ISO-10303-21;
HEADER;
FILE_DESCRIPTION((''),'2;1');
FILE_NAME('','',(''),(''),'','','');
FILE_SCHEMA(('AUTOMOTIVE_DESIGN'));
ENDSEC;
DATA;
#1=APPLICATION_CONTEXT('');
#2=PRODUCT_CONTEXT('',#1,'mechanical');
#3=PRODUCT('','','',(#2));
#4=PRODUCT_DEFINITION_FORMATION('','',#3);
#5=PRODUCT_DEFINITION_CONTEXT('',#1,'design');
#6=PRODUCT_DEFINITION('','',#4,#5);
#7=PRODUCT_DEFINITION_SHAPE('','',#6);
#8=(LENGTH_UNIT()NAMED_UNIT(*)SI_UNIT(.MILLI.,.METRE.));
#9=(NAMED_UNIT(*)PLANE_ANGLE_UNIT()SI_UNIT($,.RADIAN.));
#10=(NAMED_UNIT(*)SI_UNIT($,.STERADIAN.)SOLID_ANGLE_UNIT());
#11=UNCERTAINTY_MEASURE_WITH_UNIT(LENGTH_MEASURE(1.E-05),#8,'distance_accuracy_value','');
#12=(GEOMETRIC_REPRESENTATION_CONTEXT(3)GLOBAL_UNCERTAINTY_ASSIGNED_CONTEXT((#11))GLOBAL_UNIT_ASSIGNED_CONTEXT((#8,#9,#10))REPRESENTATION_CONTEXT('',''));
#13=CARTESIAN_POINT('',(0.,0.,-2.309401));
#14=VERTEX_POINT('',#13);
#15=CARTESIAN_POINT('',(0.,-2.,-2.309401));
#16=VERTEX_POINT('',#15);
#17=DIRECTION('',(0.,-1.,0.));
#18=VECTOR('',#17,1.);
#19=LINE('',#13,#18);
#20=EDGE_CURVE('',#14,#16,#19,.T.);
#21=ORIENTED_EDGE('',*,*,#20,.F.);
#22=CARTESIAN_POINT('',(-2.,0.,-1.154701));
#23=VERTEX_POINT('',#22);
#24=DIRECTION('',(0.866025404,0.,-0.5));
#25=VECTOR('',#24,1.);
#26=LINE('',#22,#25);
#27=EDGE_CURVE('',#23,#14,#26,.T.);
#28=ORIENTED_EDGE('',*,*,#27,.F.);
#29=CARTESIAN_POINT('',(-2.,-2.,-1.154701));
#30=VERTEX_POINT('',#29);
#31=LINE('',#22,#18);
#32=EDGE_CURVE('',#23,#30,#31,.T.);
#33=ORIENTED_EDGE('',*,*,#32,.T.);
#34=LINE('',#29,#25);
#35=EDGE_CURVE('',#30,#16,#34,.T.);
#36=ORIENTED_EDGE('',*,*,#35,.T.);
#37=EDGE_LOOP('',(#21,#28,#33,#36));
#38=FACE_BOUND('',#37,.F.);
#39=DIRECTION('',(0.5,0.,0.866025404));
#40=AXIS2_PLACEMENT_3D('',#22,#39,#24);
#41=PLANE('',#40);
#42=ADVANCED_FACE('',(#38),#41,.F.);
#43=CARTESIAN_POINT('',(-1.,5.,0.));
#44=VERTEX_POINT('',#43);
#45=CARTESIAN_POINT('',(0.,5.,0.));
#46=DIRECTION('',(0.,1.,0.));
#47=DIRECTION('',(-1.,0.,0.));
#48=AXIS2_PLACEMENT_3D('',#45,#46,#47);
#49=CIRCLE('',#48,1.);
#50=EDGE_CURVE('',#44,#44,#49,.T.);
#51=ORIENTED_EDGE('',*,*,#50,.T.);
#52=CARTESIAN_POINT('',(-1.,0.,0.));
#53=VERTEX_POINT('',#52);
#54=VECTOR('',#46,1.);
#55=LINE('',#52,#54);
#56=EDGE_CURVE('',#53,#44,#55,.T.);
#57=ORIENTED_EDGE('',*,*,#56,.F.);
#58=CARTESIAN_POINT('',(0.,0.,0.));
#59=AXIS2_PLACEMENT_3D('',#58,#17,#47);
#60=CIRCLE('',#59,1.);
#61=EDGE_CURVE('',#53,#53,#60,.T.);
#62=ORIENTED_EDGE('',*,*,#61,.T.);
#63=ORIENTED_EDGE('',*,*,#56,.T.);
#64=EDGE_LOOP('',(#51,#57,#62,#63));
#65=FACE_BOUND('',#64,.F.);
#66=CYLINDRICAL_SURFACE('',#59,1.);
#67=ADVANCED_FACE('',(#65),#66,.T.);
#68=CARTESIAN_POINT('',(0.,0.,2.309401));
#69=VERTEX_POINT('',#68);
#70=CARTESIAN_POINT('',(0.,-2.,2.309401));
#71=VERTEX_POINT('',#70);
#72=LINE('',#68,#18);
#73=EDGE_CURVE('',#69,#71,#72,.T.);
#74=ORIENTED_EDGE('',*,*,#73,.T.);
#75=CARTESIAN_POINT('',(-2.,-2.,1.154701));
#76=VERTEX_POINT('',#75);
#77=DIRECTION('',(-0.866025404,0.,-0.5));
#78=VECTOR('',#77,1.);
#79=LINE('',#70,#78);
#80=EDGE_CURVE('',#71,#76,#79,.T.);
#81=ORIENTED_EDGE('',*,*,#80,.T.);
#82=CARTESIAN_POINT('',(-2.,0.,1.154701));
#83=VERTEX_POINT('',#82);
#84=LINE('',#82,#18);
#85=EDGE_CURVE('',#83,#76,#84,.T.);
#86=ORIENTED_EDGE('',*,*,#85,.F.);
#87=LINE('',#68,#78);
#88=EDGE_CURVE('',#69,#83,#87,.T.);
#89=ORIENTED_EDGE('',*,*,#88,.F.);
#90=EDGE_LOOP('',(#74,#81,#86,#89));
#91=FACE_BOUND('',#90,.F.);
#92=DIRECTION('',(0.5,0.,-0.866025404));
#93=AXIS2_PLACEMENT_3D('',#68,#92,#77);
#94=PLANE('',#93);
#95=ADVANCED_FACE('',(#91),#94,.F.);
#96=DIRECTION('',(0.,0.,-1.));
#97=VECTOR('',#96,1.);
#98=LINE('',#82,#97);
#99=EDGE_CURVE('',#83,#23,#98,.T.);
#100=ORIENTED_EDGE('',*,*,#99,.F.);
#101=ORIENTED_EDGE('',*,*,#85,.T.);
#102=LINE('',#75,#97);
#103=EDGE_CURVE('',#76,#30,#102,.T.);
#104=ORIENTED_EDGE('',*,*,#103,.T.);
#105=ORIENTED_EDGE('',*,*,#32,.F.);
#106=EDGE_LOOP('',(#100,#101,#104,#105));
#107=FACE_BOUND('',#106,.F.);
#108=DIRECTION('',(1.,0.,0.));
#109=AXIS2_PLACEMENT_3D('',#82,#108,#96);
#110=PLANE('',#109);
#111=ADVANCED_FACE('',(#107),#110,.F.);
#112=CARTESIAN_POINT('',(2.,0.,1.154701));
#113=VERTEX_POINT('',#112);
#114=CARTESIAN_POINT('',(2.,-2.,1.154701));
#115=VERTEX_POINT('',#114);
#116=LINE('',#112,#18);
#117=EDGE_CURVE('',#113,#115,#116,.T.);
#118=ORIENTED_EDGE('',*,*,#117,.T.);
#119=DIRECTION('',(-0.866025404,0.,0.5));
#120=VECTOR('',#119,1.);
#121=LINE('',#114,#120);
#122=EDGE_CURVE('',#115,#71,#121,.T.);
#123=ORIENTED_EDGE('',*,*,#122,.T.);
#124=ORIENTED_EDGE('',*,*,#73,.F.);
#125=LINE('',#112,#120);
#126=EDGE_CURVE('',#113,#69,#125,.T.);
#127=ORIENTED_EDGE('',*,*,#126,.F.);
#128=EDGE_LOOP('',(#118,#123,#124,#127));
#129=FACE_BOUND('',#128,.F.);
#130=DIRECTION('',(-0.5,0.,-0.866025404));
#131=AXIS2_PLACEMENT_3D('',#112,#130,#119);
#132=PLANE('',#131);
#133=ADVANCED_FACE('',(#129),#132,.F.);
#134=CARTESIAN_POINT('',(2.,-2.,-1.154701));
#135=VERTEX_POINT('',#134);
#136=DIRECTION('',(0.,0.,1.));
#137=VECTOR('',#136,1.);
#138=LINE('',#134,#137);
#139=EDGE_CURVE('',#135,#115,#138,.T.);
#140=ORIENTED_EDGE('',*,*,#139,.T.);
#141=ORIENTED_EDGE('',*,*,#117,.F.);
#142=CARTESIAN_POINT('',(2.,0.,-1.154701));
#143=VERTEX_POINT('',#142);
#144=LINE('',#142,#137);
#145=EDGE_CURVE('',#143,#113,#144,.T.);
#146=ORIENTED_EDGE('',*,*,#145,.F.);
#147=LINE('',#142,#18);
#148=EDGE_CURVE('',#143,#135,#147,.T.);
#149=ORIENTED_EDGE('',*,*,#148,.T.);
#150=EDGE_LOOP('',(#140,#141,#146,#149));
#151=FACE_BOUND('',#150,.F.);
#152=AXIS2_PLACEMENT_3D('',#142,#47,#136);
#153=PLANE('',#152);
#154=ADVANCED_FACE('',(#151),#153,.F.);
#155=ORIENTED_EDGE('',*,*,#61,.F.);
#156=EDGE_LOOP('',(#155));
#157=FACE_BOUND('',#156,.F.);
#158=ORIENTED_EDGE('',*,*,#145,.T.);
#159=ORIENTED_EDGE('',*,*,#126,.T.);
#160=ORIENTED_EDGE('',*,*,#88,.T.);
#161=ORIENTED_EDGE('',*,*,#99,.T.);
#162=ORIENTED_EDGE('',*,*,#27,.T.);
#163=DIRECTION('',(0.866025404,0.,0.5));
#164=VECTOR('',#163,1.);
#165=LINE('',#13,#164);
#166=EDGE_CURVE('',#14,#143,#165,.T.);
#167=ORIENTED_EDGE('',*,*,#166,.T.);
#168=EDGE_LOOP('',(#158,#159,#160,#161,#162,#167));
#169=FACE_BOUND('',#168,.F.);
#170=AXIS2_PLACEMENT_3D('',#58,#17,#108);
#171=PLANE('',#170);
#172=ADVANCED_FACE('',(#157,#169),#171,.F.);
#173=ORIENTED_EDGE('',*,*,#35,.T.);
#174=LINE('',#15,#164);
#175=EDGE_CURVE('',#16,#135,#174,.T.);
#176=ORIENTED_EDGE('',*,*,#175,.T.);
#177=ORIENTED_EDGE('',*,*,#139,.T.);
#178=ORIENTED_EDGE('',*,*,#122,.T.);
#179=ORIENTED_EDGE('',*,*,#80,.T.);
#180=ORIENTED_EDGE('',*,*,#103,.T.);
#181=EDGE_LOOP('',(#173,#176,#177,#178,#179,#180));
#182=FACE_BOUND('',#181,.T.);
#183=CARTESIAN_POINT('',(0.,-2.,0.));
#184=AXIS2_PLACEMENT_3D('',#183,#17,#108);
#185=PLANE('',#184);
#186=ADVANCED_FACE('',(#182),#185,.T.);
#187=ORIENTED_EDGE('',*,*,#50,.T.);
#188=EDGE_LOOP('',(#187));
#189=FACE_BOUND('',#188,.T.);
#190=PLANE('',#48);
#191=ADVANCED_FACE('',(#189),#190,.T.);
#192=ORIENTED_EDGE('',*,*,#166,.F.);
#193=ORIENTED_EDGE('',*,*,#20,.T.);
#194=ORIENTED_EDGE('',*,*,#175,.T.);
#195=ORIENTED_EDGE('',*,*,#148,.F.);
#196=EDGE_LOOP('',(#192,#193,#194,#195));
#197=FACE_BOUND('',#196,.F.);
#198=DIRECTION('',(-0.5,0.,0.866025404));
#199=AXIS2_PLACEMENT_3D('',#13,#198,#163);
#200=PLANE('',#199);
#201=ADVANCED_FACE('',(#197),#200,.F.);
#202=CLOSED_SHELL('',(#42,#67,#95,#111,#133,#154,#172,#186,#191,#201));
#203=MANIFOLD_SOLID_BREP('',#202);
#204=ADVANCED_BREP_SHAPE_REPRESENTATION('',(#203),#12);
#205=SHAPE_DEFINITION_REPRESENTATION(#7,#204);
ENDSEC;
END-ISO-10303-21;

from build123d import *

# Parameters (mm, degrees)
F0_R     = 1
F1_DEPTH = 2
F2_R     = 1
F3_DEPTH = 5
F4_DEPTH = 2


with BuildPart() as f1:
    # F0 (on Front) → F1 (new body)
    with BuildSketch(Plane.XZ):
        Polygon((-2, 1.1547005384), (-2, -1.1547005384), (0, -2.3094010768), (2, -1.1547005384), (2, 1.1547005384), (0, 2.3094010768), align=None)
        Circle(F0_R, mode=Mode.SUBTRACT)
        Circle(F0_R)
    extrude(amount=F1_DEPTH)

    # F2 (on face) → F3 (join)
    with BuildSketch(Plane(origin=(0, 0, 0), x_dir=(-1, 0, 0), z_dir=(0, 1, 0))):
        Circle(F2_R)
    extrude(amount=F3_DEPTH)

    # F0 (on Front) → F4 (join)
    with BuildSketch(Plane.XZ):
        Polygon((-2, 1.1547005384), (-2, -1.1547005384), (0, -2.3094010768), (2, -1.1547005384), (2, 1.1547005384), (0, 2.3094010768), align=None)
        Circle(F0_R, mode=Mode.SUBTRACT)
    extrude(amount=F4_DEPTH)


solid = f1.part
